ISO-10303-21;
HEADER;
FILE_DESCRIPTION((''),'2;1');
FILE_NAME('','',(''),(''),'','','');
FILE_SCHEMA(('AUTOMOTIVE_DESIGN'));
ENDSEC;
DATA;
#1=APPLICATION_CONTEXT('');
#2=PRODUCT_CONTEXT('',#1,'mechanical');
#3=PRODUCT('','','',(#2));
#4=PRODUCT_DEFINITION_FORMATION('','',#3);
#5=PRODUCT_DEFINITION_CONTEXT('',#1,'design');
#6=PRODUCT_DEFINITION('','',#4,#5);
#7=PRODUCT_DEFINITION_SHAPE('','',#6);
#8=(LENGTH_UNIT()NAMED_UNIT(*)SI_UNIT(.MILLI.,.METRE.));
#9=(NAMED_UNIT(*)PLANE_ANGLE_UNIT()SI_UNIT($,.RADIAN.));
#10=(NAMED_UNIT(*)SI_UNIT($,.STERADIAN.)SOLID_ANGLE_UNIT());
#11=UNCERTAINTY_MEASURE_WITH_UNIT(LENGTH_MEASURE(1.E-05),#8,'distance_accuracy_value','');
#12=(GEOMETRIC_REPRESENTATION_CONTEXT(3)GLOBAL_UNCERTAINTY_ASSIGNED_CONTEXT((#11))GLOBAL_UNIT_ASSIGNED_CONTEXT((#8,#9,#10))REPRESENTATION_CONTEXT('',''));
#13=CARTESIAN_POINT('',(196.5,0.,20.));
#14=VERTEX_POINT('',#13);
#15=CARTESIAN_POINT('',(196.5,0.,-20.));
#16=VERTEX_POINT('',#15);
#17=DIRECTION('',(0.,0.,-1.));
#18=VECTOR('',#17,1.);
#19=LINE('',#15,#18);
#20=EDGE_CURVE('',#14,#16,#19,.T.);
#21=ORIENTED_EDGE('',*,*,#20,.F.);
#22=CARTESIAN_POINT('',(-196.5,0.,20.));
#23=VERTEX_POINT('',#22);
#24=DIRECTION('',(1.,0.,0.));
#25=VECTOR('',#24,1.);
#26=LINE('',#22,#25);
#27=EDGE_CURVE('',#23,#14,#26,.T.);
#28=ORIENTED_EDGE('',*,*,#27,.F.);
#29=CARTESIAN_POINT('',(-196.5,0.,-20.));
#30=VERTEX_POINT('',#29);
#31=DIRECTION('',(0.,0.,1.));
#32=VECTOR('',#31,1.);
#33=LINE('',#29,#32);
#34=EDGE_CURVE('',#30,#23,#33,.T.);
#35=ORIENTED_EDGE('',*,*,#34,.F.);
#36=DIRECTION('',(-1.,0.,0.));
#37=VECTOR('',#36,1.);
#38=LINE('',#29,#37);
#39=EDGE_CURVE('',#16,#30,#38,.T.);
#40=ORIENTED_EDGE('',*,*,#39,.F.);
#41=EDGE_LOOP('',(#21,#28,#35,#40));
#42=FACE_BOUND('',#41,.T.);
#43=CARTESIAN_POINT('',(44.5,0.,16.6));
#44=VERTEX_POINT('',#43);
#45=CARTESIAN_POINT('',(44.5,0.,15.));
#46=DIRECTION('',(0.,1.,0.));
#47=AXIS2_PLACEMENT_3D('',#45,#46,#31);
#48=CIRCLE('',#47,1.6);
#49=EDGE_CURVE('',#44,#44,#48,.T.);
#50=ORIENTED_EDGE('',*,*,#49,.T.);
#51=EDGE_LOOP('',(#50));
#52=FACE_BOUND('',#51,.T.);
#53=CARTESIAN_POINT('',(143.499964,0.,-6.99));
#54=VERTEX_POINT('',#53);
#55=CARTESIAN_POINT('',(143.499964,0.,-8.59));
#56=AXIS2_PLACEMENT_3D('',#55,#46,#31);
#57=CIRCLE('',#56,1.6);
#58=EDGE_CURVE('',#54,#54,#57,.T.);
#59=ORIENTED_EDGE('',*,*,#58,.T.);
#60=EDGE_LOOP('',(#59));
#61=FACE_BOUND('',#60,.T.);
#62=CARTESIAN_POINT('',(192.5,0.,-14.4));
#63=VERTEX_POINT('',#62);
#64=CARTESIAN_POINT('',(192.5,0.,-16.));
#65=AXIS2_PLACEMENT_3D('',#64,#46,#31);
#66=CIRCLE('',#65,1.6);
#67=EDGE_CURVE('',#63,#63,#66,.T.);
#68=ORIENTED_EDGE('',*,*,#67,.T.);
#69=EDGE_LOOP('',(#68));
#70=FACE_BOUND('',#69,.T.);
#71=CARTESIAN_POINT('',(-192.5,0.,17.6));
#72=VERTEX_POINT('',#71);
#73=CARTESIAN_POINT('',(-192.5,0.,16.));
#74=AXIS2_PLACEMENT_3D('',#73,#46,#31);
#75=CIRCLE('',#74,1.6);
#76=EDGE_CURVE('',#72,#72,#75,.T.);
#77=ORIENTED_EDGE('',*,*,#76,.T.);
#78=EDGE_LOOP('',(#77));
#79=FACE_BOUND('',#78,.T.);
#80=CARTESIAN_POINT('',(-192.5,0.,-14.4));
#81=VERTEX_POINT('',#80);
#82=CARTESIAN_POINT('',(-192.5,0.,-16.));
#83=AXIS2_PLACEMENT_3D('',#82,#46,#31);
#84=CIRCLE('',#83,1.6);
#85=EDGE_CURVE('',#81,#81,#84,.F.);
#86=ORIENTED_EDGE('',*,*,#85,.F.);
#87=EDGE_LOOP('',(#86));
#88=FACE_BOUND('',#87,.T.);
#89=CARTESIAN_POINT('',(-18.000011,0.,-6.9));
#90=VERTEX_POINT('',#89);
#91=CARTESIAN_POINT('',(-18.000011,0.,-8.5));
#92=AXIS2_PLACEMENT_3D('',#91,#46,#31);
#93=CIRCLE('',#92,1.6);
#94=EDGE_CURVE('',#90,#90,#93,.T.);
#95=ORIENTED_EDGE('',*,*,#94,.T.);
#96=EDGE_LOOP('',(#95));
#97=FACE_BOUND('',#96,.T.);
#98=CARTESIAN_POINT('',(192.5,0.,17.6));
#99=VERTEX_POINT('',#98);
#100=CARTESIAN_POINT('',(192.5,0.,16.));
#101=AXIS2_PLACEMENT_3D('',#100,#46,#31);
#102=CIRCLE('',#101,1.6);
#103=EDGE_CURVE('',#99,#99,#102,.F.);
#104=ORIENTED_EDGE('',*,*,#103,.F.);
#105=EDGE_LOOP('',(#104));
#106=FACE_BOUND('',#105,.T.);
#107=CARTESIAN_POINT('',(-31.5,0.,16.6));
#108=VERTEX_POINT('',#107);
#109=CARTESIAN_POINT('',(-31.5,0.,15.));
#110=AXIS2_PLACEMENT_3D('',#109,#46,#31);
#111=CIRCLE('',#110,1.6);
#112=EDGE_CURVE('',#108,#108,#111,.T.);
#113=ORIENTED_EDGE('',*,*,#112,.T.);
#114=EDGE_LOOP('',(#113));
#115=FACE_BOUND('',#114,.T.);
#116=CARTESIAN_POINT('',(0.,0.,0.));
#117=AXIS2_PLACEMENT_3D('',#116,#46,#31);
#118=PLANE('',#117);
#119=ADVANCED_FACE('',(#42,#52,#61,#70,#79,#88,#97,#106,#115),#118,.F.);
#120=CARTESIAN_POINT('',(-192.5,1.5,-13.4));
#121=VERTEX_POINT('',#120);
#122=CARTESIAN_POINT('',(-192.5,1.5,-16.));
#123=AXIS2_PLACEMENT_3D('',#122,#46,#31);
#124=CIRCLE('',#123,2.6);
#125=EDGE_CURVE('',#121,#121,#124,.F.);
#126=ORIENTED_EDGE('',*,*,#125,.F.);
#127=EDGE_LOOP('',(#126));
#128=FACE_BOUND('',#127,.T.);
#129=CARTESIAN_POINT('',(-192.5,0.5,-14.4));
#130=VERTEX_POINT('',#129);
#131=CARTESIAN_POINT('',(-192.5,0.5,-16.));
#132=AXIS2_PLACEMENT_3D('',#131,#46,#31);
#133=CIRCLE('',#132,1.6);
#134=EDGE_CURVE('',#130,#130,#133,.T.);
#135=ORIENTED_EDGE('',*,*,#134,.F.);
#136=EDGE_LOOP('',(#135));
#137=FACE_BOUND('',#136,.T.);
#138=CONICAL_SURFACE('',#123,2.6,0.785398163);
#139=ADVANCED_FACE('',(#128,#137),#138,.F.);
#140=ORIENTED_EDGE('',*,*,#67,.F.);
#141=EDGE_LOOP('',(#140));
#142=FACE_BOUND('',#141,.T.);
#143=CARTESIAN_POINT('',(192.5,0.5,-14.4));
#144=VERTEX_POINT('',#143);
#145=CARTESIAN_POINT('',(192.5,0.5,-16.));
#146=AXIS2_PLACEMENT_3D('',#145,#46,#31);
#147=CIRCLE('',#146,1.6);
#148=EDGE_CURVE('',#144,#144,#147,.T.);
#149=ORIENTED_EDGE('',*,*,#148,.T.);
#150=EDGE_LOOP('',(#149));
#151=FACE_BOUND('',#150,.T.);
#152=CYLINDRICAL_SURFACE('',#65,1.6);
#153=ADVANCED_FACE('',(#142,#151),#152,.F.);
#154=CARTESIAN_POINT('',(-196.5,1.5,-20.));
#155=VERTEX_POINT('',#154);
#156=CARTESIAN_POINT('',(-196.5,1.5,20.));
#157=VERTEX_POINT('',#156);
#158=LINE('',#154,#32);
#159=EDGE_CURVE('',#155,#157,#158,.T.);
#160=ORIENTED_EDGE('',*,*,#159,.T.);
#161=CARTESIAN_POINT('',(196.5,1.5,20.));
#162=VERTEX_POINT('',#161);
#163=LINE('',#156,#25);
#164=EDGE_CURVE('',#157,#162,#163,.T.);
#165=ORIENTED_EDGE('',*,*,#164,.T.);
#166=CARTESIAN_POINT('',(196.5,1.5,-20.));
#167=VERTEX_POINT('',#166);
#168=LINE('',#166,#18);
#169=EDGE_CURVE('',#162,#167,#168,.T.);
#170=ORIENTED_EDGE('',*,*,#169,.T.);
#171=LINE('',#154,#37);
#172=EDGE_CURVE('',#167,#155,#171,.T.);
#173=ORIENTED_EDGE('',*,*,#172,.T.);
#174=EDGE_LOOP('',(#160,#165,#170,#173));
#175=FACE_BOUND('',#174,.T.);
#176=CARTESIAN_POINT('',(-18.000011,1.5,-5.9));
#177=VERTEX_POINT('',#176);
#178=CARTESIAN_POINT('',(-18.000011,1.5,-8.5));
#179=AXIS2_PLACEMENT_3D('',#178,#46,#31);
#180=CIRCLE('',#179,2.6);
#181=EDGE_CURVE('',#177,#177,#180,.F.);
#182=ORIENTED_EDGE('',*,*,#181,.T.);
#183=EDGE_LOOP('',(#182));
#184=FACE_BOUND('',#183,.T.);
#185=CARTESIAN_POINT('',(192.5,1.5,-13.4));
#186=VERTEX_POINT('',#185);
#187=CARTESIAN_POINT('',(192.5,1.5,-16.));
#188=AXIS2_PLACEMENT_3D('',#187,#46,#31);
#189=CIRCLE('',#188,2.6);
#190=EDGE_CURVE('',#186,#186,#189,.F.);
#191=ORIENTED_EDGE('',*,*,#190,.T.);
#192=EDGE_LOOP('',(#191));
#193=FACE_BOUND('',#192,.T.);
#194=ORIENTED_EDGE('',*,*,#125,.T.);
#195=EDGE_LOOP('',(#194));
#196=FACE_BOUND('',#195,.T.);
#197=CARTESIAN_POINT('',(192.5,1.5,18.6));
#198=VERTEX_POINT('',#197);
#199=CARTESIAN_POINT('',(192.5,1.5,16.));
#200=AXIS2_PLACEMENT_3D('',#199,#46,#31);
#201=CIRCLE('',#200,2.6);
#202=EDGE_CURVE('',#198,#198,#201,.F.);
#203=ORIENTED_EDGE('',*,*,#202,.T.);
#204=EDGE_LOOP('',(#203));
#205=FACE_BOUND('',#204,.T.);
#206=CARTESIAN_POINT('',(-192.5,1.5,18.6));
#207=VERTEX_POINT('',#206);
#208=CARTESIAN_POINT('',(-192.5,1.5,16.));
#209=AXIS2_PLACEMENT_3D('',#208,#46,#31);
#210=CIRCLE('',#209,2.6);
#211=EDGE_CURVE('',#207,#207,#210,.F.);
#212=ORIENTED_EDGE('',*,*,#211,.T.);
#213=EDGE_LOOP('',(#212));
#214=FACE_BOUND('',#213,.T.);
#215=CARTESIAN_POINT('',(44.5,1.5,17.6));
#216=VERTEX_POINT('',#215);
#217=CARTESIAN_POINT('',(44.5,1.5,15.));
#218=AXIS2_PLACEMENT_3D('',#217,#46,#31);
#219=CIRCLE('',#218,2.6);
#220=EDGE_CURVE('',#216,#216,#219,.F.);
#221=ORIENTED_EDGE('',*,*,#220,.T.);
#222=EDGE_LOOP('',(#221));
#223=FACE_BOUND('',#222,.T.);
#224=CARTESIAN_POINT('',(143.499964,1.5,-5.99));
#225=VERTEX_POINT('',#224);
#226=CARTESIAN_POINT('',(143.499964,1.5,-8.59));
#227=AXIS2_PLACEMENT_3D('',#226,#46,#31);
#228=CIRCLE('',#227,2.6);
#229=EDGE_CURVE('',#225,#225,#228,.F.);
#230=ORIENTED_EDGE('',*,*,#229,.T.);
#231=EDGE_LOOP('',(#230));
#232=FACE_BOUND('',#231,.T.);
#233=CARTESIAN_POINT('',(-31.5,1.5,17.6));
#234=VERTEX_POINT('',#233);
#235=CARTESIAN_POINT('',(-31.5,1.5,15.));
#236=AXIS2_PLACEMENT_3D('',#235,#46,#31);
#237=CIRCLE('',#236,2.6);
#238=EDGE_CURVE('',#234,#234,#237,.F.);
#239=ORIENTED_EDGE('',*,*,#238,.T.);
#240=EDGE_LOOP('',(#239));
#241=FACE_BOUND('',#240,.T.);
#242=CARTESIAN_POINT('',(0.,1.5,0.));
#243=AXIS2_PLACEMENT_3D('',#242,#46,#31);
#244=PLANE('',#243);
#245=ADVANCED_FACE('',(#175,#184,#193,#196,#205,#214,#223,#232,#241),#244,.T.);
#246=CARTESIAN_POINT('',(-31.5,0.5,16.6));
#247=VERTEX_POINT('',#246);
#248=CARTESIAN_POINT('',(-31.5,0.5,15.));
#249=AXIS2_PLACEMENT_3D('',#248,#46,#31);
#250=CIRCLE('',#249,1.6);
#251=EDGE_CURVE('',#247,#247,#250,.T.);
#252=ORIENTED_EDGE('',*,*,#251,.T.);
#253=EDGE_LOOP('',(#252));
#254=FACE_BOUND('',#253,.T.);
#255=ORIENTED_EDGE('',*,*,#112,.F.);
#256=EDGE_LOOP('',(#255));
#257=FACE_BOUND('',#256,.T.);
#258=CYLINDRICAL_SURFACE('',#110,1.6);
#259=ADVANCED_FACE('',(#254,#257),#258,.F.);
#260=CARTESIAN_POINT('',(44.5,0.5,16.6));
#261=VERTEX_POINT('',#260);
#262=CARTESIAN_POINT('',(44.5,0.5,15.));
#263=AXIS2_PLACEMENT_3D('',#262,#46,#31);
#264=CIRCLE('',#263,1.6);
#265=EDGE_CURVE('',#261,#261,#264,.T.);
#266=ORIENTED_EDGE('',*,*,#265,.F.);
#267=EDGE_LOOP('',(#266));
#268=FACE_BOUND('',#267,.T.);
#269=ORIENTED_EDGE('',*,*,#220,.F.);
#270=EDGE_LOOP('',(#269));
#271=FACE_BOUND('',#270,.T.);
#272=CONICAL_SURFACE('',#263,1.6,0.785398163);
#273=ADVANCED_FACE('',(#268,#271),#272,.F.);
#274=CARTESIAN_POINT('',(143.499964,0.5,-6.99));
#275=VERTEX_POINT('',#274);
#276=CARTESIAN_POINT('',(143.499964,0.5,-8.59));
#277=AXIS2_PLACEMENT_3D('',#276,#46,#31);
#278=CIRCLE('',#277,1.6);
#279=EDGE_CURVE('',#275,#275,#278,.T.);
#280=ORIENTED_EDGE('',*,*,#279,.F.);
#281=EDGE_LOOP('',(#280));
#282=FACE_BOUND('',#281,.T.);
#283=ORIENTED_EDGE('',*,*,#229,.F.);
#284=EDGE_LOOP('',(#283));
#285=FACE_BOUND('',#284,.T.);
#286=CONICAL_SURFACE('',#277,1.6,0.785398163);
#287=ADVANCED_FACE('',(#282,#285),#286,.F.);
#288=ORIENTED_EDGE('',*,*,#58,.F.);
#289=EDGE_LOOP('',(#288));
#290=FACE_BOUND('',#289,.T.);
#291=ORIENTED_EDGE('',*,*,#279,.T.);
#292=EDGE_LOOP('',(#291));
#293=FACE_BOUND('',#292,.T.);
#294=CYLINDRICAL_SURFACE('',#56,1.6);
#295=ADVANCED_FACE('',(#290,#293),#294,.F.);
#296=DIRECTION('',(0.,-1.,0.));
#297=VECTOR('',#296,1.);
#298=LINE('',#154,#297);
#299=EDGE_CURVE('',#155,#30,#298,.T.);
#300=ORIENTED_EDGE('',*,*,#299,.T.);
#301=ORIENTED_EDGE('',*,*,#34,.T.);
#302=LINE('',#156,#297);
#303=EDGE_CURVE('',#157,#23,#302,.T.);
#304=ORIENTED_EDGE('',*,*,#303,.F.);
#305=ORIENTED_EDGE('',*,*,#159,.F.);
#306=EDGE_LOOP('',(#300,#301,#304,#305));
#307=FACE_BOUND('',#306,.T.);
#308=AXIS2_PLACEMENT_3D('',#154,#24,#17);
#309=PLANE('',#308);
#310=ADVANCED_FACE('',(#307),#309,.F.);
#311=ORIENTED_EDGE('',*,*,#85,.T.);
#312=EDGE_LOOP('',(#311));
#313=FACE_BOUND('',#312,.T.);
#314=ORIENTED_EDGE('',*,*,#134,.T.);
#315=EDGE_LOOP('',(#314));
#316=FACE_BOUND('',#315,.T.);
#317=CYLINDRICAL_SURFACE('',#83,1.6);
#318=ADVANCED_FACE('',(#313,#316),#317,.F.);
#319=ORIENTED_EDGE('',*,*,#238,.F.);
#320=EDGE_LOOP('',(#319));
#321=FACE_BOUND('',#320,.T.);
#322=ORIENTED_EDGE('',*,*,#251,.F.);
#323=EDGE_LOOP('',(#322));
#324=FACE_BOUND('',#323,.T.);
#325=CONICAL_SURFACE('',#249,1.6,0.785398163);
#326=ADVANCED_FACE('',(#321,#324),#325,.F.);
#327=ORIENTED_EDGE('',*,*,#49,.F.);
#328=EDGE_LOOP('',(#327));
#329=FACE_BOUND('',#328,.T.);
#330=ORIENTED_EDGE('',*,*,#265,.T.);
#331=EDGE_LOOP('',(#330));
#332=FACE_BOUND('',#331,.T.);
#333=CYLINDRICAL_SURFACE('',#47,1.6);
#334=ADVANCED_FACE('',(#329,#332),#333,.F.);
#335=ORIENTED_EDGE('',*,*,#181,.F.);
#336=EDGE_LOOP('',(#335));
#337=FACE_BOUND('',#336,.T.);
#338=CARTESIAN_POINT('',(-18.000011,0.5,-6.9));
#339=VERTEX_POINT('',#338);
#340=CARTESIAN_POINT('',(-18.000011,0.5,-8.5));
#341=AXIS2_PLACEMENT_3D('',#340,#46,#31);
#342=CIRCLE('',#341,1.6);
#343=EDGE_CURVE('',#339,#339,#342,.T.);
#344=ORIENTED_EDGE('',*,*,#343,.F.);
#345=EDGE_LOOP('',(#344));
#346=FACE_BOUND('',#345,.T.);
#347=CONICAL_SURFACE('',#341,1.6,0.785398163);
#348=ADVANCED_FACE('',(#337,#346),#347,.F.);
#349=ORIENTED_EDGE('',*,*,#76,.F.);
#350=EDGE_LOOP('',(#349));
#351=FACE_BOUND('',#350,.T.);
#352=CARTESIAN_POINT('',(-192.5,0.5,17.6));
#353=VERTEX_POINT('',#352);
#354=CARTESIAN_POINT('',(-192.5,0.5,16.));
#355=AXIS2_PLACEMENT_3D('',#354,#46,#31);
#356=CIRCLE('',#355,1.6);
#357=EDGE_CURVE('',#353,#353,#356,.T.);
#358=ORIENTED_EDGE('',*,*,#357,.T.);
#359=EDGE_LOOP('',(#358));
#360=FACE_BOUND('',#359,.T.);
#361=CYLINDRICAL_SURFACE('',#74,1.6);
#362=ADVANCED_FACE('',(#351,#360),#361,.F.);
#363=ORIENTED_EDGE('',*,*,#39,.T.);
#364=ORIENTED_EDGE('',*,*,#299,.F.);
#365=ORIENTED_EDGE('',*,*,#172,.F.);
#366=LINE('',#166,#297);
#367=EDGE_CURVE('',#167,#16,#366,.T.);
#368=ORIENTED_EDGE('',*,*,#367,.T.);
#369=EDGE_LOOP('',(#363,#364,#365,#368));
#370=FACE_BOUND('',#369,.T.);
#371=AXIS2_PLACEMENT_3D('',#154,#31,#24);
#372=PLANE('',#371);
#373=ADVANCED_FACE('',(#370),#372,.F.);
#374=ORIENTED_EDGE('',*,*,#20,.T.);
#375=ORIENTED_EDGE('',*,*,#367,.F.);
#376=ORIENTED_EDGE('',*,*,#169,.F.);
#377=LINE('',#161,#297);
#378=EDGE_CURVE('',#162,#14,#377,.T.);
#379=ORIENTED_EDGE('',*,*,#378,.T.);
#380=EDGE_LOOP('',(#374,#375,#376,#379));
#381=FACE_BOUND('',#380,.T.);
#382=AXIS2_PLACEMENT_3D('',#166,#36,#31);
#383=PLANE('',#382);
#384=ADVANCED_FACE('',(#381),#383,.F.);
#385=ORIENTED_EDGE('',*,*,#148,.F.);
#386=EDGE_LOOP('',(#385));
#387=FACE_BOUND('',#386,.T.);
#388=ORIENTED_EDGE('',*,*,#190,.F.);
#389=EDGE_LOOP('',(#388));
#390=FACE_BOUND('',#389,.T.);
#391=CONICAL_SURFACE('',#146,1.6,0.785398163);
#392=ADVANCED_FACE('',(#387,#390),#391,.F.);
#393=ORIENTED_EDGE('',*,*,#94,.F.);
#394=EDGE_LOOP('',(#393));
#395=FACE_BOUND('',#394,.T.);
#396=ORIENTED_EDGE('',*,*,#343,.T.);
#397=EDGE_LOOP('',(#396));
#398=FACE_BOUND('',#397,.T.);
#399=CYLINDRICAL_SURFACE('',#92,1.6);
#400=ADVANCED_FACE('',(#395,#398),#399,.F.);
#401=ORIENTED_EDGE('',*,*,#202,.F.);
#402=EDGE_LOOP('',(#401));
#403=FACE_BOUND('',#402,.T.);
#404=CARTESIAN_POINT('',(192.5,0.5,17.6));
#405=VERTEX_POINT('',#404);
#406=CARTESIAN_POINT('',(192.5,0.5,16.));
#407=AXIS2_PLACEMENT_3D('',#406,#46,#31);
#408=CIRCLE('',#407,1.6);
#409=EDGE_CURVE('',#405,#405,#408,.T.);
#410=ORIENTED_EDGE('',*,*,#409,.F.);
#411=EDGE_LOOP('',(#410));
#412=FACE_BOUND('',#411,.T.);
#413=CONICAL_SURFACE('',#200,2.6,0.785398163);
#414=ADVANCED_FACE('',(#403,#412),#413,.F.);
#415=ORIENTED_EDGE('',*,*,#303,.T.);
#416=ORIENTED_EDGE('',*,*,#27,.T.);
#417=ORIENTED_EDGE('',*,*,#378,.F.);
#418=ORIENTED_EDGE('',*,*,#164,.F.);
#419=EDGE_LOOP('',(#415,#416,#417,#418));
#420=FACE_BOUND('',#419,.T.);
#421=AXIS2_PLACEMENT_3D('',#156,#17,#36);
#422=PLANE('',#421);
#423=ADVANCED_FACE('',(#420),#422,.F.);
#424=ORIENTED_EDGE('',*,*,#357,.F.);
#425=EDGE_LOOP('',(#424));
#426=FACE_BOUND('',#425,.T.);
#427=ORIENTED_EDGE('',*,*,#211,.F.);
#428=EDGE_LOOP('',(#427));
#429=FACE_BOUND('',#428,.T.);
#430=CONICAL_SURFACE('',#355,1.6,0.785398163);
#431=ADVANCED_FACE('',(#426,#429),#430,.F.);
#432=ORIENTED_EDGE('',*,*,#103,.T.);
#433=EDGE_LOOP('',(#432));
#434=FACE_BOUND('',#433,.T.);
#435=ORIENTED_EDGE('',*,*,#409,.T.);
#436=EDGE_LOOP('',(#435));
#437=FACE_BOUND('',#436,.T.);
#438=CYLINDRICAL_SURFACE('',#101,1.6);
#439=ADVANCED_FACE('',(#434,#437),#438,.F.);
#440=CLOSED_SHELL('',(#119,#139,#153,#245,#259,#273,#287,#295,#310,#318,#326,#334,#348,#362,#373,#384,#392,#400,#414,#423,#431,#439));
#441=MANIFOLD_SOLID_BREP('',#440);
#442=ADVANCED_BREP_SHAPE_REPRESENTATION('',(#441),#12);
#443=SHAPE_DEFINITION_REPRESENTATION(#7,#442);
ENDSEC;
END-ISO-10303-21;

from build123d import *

# Parameters (mm, degrees)
SKIZZE1_W                       = 393
SKIZZE1_H                       = 40
AUFSATZ_LINEAR_AUSTRAGEN1_DEPTH = 1.5
SKIZZE2_R                       = 1.6
SCHNITT_LINEAR_AUSTRAGEN1_DEPTH = 198.520884972
FASE1_SIZE                      = 1


with BuildPart() as part:
    # Skizze1 → Aufsatz-Linear austragen1 (new body)
    with BuildSketch(Plane(origin=(0, 0, 0), x_dir=(1, 0, 0), z_dir=(0, 1, 0))):
        Rectangle(SKIZZE1_W, SKIZZE1_H)
    extrude(amount=AUFSATZ_LINEAR_AUSTRAGEN1_DEPTH)

    # Skizze2 → Schnitt-Linear austragen1 (cut, through all)
    with BuildSketch(Plane(origin=(0, 1.5, 0), x_dir=(1, 0, 0), z_dir=(0, 1, 0))):
        with Locations(Location((-192.5, 16, 0), (0, 0, 270))):
            Circle(SKIZZE2_R)
        with Locations(Location((-192.5, -16, 0), (0, 0, 270))):
            Circle(SKIZZE2_R)
        with Locations(Location((192.5, -16, 0), (0, 0, 270))):
            Circle(SKIZZE2_R)
        with Locations(Location((192.5, 16, 0), (0, 0, 270))):
            Circle(SKIZZE2_R)
        with Locations(Location((44.5, -15, 0), (0, 0, 270))):
            Circle(SKIZZE2_R)
        with BuildLine():
            ThreePointArc((-16.400011, 8.5), (-16.86864015, 9.63137085), (-18.000011, 10.1))
            Line((-18.000011, 10.1), (-18.000011, 6.9))
            ThreePointArc((-18.000011, 6.9), (-16.86864015, 7.36862915), (-16.400011, 8.5))
        make_face()
        with BuildLine():
            Line((-18.000011, 6.9), (-18.000011, 10.1))
            ThreePointArc((-18.000011, 10.1), (-19.600011, 8.5), (-18.000011, 6.9))
        make_face()
        with BuildLine():
            ThreePointArc((145.099964038, 8.589999773), (144.631340773, 9.721364737), (143.499980683, 10.189999773))
            Line((143.499980683, 10.189999773), (143.499947392, 6.989999773))
            ThreePointArc((143.499947392, 6.989999773), (144.631329002, 7.458623038), (145.099964038, 8.589999773))
        make_face()
        with BuildLine():
            Line((143.499947392, 6.989999773), (143.499980683, 10.189999773))
            ThreePointArc((143.499980683, 10.189999773), (141.899964038, 8.590016418), (143.499947392, 6.989999773))
        make_face()
        with Locations(Location((-31.5, -15, 0), (0, 0, 270))):
            Circle(SKIZZE2_R)
    extrude(amount=-SCHNITT_LINEAR_AUSTRAGEN1_DEPTH, mode=Mode.SUBTRACT)

    # Fase1
    fase1_edges = [part.edges().sort_by_distance(p)[0] for p in [
        (44.5, 1.5, 13.4),
        (192.5, 1.5, -17.6),
        (192.5, 1.5, 14.4),
        (-192.5, 1.5, 14.4),
        (-18.000011, 1.5, -10.1),
        (143.499947392, 1.5, -6.989999773),
        (-31.5, 1.5, 13.4),
        (-192.5, 1.5, -17.6),
    ]]
    chamfer(fase1_edges, length=FASE1_SIZE)


solid = part.part
